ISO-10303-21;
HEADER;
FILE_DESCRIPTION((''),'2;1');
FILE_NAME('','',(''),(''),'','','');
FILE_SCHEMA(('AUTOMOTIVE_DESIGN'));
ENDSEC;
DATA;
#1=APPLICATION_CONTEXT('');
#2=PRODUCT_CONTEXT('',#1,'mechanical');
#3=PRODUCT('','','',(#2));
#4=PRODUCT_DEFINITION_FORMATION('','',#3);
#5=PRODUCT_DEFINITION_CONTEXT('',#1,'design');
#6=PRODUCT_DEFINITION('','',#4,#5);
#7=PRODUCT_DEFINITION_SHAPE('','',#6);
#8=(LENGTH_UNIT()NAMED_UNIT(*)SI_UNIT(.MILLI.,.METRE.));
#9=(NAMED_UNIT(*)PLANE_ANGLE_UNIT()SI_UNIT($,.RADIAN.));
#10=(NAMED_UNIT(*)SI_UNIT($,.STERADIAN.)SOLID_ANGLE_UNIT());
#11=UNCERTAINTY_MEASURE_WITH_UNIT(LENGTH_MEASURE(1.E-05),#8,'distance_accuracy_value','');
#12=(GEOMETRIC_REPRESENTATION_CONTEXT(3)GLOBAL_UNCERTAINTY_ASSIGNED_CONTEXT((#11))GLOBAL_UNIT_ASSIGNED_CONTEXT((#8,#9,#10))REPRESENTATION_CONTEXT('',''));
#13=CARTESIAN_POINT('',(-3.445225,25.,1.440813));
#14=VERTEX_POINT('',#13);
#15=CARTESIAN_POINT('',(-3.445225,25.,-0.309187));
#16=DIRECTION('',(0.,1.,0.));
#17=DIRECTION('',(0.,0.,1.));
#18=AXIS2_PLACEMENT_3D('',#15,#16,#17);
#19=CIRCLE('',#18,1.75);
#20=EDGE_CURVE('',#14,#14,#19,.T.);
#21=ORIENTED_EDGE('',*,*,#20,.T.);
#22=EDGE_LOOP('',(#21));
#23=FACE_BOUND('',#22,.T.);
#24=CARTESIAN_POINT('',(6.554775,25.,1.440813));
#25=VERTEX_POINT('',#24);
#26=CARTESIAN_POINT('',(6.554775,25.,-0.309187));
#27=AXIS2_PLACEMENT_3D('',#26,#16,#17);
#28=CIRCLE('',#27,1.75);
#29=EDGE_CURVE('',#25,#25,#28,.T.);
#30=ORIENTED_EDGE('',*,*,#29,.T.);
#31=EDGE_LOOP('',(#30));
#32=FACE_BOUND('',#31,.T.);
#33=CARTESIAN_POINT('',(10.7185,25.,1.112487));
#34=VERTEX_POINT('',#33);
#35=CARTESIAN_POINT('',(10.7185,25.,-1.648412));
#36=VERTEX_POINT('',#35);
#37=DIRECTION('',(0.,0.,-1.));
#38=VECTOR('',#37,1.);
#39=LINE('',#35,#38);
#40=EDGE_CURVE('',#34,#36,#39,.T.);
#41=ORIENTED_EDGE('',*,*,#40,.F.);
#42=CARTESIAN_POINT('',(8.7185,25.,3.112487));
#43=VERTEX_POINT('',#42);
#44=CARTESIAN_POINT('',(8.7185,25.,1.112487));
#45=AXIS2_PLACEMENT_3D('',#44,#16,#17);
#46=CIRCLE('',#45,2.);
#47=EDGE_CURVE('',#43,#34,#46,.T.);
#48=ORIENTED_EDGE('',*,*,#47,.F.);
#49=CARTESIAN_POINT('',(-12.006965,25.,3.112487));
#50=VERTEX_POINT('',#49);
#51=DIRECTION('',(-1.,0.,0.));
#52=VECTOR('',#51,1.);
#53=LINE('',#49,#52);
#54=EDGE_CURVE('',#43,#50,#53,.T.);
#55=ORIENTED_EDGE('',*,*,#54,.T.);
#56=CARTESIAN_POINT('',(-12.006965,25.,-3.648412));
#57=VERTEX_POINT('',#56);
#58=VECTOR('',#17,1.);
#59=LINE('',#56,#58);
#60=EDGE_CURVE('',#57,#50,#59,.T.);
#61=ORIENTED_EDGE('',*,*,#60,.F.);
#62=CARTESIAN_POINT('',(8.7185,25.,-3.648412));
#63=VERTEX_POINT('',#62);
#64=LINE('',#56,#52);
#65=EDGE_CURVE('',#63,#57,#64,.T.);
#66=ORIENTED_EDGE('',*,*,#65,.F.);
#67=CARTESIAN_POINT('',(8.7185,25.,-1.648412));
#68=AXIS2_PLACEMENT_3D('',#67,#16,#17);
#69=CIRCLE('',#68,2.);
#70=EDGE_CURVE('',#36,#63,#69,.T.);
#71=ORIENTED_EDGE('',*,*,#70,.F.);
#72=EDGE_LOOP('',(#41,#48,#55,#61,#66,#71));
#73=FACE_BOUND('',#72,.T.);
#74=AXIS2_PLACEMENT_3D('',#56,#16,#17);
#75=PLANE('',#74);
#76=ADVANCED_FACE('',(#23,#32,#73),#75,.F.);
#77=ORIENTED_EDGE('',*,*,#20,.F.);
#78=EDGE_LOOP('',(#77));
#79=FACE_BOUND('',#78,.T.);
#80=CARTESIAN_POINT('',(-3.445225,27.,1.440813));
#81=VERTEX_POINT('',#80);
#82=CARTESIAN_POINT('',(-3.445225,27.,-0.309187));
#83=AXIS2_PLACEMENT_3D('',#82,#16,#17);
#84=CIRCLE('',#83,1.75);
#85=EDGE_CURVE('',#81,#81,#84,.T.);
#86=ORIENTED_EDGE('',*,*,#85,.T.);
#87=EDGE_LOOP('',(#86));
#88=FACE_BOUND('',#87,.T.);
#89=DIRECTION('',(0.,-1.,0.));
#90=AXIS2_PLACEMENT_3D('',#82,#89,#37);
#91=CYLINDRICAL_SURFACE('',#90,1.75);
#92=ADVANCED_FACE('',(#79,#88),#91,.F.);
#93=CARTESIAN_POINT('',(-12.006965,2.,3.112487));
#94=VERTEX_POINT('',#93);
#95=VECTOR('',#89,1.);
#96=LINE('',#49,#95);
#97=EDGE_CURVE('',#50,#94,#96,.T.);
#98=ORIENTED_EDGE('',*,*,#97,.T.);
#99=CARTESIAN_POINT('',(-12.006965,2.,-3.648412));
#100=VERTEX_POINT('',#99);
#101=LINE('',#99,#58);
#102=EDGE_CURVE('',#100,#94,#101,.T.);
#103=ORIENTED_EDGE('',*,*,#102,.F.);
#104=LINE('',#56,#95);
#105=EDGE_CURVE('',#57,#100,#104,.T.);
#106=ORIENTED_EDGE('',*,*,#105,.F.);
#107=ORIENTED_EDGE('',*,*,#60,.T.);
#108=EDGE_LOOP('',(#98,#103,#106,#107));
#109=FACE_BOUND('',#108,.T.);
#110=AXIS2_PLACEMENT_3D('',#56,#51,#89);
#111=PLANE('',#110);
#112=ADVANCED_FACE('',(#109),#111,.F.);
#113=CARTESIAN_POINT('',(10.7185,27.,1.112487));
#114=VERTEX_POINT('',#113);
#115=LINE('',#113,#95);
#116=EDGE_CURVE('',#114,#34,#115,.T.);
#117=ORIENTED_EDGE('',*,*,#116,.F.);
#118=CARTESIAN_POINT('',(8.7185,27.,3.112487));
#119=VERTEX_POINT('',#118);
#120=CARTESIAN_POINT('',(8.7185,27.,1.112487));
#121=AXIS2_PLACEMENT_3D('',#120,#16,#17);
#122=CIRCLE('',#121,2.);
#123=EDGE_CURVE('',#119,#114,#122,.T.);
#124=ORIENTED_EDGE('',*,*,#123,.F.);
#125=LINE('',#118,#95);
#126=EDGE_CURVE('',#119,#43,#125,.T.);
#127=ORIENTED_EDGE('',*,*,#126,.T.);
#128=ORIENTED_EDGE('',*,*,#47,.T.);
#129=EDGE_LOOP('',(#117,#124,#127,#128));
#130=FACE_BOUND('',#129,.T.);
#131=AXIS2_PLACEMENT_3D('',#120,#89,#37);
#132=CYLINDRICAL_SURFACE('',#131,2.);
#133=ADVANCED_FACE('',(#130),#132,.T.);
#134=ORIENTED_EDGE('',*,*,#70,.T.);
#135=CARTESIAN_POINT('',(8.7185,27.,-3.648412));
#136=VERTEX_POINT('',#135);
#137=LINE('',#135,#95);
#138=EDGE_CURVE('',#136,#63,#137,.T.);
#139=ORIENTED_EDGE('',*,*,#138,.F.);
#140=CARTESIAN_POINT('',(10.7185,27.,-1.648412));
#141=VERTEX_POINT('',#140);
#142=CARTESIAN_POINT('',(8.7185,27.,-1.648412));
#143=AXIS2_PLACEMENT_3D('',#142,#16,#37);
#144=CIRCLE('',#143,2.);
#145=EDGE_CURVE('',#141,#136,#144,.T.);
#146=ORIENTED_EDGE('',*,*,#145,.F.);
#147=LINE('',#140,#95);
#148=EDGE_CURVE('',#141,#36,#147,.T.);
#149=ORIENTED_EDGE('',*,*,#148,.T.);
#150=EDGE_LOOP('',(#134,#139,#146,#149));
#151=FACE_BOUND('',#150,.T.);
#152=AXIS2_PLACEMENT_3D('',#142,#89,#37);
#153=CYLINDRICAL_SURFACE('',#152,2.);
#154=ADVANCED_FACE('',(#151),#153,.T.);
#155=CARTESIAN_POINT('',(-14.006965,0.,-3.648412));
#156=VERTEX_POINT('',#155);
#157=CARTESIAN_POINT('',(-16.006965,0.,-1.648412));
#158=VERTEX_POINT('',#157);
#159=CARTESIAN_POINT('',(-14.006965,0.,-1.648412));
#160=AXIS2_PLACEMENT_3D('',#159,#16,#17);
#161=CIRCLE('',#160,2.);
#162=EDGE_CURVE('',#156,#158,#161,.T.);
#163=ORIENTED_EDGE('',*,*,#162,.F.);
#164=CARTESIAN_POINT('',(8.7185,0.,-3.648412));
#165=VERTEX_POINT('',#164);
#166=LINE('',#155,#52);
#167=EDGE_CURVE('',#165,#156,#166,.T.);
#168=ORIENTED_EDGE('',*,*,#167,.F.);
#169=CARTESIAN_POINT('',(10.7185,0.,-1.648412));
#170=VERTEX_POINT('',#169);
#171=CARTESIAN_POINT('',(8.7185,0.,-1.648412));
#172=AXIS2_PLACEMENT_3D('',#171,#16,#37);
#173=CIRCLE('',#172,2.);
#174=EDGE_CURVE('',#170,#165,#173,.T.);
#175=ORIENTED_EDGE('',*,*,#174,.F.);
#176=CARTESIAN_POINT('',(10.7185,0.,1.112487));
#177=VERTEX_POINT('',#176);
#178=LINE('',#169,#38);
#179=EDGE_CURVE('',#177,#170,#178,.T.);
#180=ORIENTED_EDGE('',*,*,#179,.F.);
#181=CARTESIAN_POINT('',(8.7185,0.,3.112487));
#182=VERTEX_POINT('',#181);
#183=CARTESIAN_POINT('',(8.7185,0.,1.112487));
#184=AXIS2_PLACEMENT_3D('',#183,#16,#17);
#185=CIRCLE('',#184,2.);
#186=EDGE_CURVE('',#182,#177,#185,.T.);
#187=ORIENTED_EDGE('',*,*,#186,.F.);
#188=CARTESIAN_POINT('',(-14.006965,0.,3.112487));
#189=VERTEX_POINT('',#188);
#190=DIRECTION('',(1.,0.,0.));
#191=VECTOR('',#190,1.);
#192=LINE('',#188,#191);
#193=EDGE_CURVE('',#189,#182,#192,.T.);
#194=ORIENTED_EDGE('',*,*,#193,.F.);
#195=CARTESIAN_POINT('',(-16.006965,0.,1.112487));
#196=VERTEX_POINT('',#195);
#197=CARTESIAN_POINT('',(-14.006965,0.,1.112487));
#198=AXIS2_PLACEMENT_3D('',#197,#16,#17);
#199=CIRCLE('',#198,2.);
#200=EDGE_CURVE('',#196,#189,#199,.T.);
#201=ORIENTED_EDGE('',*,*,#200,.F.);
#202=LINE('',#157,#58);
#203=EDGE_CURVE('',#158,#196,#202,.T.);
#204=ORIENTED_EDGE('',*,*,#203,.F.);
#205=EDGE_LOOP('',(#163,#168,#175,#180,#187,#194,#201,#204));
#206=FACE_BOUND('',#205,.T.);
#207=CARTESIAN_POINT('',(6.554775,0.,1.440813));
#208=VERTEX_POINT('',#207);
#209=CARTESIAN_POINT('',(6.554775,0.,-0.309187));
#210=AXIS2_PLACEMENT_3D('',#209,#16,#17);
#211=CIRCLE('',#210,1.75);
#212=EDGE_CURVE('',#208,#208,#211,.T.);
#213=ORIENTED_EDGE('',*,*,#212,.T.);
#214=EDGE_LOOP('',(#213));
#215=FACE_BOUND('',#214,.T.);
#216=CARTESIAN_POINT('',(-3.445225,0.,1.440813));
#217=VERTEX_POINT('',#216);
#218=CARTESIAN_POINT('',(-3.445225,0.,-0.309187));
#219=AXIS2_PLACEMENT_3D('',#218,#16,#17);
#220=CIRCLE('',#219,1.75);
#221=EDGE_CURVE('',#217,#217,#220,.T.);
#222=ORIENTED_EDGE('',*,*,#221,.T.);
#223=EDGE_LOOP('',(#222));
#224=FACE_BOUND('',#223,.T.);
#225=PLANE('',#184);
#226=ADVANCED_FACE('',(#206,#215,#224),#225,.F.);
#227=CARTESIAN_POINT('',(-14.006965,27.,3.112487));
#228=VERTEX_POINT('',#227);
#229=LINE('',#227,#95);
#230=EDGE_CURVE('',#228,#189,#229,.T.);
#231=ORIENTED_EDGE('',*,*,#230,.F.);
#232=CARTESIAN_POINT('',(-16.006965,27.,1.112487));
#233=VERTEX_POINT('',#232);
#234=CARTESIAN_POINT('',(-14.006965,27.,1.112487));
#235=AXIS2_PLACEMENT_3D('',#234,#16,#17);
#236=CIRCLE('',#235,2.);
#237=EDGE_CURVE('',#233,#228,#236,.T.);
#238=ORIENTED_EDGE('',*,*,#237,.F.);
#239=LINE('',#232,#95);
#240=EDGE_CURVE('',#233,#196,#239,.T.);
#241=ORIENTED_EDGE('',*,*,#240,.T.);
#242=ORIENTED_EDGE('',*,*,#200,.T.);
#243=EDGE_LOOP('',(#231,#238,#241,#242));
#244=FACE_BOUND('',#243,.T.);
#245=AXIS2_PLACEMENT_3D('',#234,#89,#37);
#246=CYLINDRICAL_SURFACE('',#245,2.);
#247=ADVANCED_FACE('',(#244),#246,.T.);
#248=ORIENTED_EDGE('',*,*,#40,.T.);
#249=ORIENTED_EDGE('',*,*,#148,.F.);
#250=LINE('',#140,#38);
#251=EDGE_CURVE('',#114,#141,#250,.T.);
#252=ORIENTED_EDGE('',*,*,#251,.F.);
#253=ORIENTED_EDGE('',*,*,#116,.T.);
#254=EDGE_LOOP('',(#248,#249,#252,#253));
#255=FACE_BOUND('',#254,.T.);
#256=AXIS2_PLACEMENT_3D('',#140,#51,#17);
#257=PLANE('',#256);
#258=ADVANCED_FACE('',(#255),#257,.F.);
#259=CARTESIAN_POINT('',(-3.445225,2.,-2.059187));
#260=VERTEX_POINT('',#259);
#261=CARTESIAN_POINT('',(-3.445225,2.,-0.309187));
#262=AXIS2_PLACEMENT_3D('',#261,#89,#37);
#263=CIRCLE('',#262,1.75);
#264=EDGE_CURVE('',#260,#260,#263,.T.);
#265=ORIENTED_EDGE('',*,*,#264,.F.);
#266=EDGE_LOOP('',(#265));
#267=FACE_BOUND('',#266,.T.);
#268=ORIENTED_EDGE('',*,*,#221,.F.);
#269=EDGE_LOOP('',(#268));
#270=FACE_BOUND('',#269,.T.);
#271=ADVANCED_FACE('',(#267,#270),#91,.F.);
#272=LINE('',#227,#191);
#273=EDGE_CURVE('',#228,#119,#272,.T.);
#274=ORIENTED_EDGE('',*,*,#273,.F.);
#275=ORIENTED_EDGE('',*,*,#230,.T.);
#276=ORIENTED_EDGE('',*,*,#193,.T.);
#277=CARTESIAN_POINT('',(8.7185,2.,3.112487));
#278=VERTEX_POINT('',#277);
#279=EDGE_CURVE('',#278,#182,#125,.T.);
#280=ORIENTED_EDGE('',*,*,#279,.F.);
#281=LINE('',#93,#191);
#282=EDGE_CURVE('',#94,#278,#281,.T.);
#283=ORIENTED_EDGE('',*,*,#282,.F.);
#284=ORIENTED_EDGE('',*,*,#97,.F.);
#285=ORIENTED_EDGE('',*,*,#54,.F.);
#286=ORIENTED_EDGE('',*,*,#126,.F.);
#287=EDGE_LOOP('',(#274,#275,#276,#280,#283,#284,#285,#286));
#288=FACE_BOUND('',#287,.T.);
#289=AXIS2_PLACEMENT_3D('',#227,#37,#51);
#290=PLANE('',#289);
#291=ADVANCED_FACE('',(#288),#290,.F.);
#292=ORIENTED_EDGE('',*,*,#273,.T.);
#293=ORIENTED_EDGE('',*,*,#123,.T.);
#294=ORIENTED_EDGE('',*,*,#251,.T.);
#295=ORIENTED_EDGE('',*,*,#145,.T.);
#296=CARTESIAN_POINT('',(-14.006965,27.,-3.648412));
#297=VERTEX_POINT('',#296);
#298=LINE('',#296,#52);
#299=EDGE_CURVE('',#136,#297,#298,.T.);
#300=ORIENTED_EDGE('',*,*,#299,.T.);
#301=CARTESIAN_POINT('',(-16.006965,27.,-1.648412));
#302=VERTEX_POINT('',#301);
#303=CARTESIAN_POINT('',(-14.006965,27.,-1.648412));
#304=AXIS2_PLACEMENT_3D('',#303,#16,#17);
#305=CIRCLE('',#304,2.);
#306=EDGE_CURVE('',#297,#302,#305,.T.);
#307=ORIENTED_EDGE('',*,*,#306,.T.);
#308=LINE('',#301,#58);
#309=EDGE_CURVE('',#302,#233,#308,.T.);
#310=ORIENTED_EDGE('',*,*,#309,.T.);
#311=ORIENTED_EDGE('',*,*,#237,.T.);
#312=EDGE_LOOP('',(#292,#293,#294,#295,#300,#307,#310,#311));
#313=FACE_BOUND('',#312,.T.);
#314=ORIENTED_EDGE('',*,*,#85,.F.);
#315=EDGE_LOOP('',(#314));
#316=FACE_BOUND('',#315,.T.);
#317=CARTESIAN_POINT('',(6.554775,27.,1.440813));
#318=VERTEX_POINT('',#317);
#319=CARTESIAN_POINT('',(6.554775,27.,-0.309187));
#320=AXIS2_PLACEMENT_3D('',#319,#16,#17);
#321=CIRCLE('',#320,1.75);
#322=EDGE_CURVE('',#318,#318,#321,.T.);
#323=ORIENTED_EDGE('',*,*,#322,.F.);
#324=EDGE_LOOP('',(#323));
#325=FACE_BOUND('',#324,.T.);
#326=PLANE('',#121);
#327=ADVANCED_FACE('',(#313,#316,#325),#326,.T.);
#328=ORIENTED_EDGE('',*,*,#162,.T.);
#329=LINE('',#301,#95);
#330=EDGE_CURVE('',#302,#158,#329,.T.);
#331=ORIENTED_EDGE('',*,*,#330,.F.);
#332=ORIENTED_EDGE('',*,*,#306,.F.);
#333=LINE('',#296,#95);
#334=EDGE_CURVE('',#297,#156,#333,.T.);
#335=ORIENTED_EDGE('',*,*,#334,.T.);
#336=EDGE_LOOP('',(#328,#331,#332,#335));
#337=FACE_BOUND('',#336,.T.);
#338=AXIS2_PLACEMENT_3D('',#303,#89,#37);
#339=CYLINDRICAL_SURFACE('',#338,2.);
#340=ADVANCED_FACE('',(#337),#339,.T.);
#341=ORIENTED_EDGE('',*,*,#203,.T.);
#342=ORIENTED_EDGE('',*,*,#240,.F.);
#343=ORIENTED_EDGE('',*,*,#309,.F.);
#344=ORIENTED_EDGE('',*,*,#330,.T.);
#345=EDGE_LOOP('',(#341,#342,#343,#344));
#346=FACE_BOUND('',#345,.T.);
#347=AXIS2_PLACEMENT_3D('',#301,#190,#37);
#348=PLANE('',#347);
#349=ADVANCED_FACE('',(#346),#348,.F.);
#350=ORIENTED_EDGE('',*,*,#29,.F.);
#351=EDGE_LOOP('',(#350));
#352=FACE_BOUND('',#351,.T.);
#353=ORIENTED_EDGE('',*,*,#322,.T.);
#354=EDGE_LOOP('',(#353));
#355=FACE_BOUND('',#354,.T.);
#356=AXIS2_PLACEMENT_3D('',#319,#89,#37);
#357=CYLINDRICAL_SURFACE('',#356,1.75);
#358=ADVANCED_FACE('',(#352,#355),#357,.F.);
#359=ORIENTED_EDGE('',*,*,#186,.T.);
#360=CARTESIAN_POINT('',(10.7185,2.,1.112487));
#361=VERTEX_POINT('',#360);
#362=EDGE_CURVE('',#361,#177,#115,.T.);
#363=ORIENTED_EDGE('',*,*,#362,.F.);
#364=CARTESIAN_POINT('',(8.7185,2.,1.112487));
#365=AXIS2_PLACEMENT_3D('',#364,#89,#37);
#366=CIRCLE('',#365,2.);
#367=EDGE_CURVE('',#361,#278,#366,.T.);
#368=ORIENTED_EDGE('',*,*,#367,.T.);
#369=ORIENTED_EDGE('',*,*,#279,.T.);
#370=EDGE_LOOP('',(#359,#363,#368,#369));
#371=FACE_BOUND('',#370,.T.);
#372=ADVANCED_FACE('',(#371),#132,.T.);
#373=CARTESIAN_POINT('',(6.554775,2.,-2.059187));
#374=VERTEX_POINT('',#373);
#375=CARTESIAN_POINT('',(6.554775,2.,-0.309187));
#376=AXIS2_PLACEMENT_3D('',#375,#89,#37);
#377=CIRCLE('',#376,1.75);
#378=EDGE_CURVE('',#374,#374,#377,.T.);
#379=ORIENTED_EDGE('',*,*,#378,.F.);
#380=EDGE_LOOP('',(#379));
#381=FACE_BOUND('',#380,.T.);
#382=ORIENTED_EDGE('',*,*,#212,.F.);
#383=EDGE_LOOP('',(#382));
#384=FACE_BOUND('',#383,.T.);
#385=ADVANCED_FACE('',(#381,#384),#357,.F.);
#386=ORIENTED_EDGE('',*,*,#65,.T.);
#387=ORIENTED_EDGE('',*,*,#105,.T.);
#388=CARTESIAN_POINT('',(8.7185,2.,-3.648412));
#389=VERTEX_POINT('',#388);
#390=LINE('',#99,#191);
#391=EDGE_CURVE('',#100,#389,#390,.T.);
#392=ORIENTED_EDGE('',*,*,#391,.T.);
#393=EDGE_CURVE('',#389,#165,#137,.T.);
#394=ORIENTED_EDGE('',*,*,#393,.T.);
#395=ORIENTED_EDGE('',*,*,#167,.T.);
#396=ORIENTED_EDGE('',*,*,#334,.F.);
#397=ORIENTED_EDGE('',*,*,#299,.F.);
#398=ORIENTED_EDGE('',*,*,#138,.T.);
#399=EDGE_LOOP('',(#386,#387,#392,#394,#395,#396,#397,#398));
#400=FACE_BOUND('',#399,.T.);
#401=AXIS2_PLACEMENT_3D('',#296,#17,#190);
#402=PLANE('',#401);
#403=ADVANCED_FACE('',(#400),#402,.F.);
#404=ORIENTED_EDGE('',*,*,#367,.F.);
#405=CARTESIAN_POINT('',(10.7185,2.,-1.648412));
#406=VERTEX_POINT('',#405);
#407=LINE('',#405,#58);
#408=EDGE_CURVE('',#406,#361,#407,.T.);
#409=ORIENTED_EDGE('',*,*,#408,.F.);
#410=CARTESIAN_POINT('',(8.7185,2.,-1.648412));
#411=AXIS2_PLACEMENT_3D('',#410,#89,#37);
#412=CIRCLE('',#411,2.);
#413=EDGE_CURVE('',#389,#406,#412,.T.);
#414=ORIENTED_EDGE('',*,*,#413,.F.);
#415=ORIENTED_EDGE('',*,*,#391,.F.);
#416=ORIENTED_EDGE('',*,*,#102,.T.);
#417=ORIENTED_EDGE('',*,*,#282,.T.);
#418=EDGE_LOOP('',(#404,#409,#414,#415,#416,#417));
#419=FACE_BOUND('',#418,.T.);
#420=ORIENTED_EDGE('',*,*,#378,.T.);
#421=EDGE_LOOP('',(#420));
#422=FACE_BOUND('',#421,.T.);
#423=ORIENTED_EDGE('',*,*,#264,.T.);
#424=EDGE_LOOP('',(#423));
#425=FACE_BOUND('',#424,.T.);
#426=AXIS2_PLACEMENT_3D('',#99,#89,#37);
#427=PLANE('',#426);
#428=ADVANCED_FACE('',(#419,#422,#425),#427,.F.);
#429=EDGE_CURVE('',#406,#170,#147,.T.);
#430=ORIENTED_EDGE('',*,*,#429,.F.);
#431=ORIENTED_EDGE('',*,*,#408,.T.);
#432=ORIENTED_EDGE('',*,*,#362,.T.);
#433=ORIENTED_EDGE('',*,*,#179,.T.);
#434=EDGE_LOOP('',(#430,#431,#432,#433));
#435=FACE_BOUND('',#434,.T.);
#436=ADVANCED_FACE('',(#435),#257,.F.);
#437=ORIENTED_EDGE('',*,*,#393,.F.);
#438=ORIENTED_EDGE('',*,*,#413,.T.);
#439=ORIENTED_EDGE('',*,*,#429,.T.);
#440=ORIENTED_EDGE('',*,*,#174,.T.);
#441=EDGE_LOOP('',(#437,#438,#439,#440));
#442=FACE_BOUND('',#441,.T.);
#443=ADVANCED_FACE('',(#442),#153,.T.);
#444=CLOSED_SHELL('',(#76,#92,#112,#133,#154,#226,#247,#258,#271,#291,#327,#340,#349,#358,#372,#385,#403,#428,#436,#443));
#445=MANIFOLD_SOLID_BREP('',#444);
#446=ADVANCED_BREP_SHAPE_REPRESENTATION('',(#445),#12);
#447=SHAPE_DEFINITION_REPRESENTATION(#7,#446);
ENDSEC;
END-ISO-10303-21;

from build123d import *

# Parameters (mm, degrees)
SKETCH_1_R               = 1.75
EXTRUDE_1_DEPTH          = 27
CUT_EXTRUDE_1_DEPTH      = 33.108140695
CUT_EXTRUDE_1_DEPTH_BACK = 33.108140695
SKETCH_2_W               = 29.052061839
SKETCH_2_H               = 23


with BuildPart() as part:
    # 草图1 → 凸台-拉伸1 (new body)
    with BuildSketch(Plane(origin=(0, 0, 0), x_dir=(1, 0, 0), z_dir=(0, 1, 0))):
        with BuildLine():
            Line((-14.006965108, 3.648412425), (8.718499779, 3.648412425))
            ThreePointArc((8.718499779, 3.648412425), (10.132713341, 3.062625987), (10.718499779, 1.648412425))
            Line((10.718499779, 1.648412425), (10.718499779, -1.112487436))
            ThreePointArc((10.718499779, -1.112487436), (10.132713341, -2.526700998), (8.718499779, -3.112487436))
            Line((8.718499779, -3.112487436), (-14.006965108, -3.112487436))
            ThreePointArc((-14.006965108, -3.112487436), (-15.421178671, -2.526700998), (-16.006965108, -1.112487436))
            Line((-16.006965108, -1.112487436), (-16.006965108, 1.648412425))
            ThreePointArc((-16.006965108, 1.648412425), (-15.421178671, 3.062625987), (-14.006965108, 3.648412425))
        make_face()
        with Locations(Location((-3.445225135, 0.309187494, 0), (0, 0, 270))):
            Circle(SKETCH_1_R, mode=Mode.SUBTRACT)
        with Locations(Location((6.554774865, 0.309187494, 0), (0, 0, 270))):
            Circle(SKETCH_1_R, mode=Mode.SUBTRACT)
    extrude(amount=EXTRUDE_1_DEPTH)

    # 草图2 → 切除-拉伸1 (cut, two sides: drawn at the far end of the back side and taken through both)
    with BuildSketch(Plane.XY.offset(3.112487436).offset(-CUT_EXTRUDE_1_DEPTH_BACK)):
        with Locations((2.519065811, 13.5)):
            Rectangle(SKETCH_2_W, SKETCH_2_H)
    extrude(amount=CUT_EXTRUDE_1_DEPTH + CUT_EXTRUDE_1_DEPTH_BACK, mode=Mode.SUBTRACT)


solid = part.part
